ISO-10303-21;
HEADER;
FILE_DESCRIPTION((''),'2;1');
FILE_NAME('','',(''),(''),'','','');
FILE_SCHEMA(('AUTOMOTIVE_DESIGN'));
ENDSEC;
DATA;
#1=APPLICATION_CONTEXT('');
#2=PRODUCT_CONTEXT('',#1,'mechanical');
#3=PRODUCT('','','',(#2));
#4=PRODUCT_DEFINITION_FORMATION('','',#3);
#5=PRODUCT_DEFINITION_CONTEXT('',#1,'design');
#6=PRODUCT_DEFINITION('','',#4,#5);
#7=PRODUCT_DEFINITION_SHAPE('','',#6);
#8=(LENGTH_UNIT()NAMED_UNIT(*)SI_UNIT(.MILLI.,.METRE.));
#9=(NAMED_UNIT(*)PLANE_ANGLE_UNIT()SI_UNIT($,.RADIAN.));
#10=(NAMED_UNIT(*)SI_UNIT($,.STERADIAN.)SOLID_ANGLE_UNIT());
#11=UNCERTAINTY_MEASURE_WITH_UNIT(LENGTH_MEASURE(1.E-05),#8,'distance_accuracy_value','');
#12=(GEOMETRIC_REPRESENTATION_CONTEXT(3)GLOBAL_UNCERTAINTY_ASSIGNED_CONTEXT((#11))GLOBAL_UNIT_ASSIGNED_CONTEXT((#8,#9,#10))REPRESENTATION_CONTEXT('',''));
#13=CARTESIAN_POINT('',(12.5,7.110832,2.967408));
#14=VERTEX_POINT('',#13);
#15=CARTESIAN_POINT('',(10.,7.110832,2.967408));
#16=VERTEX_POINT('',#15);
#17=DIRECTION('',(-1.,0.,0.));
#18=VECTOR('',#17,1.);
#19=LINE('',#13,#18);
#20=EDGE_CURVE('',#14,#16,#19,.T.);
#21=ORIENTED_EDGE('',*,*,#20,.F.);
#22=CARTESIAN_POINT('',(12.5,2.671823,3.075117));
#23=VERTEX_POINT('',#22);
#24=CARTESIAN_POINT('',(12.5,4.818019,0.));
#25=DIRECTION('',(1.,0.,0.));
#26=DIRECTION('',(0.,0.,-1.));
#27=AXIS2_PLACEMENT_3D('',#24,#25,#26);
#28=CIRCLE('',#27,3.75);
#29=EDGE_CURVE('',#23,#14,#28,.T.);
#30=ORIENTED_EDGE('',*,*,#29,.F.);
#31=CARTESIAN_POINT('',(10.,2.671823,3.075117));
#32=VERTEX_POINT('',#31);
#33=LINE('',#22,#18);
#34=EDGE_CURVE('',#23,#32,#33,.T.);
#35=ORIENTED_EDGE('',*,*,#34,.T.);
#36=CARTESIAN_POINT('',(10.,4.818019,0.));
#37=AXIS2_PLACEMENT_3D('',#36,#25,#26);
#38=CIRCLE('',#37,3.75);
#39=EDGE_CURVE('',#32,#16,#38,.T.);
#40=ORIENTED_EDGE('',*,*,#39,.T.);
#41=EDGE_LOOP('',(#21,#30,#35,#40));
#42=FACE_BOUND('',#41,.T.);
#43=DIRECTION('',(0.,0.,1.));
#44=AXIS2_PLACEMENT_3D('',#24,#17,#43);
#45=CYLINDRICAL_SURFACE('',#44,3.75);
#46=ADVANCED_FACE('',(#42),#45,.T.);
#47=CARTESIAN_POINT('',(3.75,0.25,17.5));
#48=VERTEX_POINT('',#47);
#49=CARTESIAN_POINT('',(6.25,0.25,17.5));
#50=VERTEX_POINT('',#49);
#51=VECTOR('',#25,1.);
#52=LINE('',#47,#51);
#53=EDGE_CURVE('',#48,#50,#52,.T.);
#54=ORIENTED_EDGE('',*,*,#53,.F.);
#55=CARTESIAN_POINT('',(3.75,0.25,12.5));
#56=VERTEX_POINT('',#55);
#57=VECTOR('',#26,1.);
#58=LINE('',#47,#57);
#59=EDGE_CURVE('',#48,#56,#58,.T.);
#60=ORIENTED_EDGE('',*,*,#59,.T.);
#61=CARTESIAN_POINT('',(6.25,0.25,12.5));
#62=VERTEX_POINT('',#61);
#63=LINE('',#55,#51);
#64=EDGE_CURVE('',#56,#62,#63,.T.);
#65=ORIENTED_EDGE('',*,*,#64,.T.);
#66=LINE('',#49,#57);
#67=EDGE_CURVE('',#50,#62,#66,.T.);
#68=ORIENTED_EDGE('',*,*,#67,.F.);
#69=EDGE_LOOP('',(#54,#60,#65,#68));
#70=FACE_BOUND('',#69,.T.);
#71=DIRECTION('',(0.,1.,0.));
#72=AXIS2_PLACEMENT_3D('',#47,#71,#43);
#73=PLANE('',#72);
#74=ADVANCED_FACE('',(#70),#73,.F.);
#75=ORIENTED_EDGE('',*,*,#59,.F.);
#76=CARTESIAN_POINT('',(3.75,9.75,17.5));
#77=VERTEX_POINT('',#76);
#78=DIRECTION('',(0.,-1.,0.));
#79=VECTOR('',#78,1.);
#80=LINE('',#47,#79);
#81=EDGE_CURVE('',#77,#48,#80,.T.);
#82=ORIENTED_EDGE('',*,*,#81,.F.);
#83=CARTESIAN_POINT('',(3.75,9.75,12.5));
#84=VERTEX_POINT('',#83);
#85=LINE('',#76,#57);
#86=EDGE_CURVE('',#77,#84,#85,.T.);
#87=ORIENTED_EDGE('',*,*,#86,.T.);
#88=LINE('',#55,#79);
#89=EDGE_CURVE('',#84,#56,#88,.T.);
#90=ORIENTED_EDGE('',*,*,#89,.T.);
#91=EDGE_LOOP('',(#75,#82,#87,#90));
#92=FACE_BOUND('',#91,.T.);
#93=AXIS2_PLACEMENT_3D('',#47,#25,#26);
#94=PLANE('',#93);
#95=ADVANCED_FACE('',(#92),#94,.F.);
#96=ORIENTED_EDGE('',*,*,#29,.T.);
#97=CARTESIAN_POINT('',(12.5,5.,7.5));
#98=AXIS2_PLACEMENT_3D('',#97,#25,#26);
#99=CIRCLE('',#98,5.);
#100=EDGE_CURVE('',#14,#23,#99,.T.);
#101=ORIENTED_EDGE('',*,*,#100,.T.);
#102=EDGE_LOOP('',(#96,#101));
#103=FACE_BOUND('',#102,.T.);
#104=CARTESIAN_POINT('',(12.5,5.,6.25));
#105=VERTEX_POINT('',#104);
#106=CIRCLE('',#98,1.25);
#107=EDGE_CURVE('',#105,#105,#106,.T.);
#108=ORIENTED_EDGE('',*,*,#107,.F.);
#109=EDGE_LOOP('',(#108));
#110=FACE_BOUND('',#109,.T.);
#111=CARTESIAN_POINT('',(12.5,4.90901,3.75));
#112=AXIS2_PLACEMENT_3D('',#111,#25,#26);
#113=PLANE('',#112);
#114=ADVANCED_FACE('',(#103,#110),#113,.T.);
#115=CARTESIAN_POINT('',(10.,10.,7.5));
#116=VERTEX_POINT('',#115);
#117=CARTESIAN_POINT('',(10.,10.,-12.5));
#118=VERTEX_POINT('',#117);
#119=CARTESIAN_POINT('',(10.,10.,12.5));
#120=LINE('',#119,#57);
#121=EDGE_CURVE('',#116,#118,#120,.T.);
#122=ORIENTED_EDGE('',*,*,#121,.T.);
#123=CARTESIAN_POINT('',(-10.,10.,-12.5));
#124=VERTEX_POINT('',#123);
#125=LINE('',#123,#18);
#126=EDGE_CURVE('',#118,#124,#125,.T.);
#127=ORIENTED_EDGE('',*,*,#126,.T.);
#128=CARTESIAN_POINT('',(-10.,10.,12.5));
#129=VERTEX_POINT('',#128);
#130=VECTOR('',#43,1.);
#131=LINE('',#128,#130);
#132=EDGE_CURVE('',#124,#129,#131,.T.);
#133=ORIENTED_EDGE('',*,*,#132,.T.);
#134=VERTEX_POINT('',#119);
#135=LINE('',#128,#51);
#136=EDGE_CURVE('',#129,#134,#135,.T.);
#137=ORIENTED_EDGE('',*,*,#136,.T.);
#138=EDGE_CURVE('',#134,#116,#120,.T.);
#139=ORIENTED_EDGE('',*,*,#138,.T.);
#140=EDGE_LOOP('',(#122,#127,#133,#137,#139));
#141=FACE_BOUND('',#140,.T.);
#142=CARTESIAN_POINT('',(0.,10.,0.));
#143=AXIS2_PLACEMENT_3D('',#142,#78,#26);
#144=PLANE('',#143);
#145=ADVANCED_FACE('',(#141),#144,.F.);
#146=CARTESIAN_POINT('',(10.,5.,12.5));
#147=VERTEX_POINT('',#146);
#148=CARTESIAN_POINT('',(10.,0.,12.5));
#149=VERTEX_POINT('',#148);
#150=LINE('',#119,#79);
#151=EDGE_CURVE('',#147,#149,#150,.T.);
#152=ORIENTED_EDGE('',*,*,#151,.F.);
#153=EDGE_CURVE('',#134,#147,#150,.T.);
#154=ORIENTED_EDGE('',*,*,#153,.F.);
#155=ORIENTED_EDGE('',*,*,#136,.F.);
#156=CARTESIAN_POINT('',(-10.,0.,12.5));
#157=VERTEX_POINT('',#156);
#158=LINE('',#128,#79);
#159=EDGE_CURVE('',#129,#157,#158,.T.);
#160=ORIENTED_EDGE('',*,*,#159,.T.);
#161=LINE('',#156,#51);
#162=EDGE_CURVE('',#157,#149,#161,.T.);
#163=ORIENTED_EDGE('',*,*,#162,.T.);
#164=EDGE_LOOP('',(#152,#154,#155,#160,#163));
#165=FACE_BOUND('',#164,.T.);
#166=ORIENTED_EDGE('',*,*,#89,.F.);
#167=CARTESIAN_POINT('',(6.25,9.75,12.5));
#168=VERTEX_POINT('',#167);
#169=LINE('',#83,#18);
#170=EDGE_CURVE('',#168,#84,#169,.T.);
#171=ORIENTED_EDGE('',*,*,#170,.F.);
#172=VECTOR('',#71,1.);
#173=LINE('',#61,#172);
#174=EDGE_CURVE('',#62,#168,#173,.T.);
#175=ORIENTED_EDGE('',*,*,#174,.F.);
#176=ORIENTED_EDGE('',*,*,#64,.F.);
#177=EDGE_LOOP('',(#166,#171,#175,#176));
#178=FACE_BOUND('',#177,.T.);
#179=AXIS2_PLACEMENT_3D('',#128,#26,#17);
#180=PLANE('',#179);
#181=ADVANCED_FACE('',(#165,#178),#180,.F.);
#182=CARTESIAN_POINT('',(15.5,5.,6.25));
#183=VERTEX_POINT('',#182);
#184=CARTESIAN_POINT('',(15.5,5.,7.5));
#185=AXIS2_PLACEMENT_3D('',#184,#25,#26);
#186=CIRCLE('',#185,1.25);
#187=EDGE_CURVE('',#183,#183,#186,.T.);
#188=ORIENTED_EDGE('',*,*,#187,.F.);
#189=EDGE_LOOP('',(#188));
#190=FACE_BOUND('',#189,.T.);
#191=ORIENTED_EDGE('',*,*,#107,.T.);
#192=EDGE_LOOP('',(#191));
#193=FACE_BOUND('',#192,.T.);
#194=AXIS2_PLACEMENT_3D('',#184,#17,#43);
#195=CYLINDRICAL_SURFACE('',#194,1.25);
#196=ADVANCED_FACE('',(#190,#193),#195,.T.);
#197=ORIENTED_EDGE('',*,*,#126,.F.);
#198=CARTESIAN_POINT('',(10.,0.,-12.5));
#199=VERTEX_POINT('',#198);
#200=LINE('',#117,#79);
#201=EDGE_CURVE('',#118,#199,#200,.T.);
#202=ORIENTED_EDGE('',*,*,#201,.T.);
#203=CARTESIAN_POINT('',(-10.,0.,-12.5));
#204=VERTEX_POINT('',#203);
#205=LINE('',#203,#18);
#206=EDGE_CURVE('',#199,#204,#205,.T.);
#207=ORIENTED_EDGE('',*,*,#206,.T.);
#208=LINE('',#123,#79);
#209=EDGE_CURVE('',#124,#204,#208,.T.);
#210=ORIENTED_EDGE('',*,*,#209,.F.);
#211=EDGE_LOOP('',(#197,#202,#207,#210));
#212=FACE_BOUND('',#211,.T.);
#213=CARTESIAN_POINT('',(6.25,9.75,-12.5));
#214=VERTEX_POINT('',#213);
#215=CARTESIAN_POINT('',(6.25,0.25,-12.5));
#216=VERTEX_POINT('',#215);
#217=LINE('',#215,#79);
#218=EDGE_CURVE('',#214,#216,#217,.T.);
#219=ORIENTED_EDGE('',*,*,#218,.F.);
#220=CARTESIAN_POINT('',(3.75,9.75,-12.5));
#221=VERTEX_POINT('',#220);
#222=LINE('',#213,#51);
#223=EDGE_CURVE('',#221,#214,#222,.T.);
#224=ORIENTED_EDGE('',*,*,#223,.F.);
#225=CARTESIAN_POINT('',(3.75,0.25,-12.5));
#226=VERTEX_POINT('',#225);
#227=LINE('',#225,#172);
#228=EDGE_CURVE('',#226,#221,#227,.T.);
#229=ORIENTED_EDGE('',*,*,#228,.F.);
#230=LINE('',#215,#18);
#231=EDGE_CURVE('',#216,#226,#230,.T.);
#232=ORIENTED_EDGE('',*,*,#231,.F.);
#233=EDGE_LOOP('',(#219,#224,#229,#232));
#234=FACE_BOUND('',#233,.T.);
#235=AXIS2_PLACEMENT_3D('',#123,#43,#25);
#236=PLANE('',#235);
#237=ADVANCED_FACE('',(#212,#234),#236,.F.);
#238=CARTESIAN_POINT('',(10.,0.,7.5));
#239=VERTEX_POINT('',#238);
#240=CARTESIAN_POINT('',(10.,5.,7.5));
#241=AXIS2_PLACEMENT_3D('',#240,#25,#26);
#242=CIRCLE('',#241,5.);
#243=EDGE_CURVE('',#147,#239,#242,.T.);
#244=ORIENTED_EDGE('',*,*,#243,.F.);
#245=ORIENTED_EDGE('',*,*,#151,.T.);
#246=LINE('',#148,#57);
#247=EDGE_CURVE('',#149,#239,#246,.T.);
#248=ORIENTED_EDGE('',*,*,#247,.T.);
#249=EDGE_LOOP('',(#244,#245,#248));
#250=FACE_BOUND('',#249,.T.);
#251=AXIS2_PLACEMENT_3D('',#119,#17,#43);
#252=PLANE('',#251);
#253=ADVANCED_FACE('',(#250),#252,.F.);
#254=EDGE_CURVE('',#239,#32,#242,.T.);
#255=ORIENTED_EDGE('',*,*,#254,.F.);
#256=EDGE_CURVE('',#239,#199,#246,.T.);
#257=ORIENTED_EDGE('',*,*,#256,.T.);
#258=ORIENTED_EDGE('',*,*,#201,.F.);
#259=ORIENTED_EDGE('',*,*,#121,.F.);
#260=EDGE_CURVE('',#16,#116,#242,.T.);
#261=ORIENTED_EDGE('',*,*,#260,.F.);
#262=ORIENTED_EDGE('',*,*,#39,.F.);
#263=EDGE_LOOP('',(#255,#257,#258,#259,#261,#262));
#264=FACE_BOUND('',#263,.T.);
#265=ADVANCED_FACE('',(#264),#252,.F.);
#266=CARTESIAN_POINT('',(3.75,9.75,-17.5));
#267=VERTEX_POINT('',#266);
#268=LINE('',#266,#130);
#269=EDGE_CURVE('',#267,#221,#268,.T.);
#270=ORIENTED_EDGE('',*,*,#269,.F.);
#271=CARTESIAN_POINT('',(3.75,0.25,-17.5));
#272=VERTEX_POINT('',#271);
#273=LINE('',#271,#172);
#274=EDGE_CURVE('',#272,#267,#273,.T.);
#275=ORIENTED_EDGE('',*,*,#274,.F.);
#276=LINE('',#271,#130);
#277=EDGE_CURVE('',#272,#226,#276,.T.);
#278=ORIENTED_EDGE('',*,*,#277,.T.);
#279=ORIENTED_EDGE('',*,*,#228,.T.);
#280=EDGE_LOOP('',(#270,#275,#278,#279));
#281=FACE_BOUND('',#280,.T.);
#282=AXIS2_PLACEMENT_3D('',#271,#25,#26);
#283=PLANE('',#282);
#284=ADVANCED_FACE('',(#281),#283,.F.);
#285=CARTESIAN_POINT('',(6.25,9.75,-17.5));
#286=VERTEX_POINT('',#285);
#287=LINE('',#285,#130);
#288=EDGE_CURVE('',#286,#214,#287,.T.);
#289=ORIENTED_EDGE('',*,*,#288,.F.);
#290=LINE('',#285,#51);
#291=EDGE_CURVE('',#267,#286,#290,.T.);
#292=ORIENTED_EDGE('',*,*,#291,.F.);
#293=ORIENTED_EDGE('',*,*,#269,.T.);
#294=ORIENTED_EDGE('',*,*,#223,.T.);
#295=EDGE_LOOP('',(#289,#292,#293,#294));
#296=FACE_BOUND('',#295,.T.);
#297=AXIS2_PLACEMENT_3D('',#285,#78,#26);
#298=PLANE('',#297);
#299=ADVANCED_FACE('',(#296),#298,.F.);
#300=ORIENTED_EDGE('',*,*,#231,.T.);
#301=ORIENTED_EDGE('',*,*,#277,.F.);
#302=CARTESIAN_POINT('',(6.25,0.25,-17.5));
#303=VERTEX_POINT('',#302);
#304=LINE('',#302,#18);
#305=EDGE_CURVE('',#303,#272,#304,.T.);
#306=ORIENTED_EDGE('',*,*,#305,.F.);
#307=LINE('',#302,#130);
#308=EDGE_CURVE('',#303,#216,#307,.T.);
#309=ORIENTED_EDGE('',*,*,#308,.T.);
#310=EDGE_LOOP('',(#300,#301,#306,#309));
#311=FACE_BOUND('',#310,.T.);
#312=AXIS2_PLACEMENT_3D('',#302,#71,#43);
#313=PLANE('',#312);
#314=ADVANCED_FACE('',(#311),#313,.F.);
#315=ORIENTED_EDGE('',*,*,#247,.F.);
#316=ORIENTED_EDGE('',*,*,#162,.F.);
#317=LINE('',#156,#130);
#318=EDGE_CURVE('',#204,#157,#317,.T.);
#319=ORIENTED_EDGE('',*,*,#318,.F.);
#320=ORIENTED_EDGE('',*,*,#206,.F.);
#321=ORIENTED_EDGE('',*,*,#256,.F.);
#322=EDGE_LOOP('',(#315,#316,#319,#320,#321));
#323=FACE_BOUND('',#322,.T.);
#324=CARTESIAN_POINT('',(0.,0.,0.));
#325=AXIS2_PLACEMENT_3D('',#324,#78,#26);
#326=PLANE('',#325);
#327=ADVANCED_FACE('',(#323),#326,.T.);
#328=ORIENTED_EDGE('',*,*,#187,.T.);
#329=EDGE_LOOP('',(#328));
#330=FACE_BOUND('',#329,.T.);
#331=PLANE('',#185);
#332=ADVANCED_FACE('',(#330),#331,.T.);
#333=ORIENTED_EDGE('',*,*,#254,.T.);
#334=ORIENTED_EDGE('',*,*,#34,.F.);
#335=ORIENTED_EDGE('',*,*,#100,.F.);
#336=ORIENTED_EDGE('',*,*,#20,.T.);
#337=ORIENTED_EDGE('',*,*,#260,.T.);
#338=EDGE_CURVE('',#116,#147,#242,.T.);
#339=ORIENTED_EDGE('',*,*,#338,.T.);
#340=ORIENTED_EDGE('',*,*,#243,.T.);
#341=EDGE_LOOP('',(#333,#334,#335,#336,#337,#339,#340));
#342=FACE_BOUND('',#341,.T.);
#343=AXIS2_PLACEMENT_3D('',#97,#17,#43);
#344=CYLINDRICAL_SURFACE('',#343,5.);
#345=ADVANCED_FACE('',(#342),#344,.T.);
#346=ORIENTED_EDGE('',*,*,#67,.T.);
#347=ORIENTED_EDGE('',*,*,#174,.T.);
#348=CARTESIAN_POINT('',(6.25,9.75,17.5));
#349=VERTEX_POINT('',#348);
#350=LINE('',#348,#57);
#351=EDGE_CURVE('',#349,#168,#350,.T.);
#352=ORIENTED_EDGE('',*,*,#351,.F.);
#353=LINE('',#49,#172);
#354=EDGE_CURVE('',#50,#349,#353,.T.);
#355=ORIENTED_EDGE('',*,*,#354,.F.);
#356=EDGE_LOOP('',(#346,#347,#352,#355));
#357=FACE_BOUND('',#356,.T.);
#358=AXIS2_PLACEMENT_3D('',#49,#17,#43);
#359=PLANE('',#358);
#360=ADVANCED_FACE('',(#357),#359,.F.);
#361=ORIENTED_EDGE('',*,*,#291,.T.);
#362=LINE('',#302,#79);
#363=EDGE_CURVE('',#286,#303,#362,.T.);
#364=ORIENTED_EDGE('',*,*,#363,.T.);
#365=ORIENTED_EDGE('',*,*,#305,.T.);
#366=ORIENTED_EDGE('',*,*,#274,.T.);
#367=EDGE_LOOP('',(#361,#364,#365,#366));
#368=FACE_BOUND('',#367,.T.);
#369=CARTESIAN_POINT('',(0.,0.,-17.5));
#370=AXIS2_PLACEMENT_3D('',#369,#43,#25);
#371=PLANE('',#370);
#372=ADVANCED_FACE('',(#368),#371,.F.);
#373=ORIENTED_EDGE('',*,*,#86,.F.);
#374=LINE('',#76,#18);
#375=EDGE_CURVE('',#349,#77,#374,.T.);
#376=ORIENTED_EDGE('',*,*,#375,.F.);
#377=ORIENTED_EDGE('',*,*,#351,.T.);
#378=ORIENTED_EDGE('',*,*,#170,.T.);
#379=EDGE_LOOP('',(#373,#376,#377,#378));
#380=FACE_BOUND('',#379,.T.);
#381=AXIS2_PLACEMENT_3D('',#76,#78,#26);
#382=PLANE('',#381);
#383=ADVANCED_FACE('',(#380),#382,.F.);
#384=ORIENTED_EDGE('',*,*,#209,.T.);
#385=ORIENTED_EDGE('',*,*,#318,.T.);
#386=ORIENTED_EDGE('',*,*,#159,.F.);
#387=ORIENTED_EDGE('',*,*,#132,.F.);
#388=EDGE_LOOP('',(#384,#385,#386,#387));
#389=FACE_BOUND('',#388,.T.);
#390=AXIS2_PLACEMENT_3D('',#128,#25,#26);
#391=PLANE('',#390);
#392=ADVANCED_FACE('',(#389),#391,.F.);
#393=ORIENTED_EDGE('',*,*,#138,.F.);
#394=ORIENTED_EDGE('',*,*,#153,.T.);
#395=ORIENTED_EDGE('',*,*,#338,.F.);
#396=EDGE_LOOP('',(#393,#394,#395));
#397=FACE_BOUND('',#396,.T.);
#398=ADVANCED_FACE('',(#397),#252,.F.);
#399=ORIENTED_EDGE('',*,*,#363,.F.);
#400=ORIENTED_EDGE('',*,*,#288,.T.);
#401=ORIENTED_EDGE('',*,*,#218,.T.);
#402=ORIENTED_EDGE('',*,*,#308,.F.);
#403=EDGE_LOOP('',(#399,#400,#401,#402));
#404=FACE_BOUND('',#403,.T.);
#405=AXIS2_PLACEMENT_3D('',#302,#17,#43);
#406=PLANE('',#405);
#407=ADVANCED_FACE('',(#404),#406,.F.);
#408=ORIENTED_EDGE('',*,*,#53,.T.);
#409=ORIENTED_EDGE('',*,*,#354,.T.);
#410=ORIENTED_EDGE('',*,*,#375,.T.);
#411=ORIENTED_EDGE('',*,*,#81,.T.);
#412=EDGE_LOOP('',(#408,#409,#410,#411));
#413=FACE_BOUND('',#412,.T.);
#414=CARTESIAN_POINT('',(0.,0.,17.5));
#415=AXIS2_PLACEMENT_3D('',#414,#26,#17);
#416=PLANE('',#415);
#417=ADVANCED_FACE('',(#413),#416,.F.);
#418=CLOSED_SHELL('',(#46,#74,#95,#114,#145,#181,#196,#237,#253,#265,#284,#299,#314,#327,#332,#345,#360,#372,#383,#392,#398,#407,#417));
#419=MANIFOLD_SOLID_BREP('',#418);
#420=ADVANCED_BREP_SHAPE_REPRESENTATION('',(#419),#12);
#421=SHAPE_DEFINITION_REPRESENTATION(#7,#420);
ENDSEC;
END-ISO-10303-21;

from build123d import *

# Parameters (mm, degrees)
SKETCH1_W           = 20
SKETCH1_H           = 25
BOSS_EXTRUDE1_DEPTH = 10
SKETCH3_W           = 2.5
SKETCH3_H           = 9.5
BOSS_EXTRUDE3_DEPTH = 5
SKETCH4_W           = 2.5
SKETCH4_H           = 9.5
BOSS_EXTRUDE4_DEPTH = 5
BOSS_EXTRUDE5_DEPTH = 2.5
SKETCH6_R           = 1.25
BOSS_EXTRUDE6_DEPTH = 3


with BuildPart() as part:
    # Sketch1 → Boss-Extrude1 (new body)
    with BuildSketch(Plane(origin=(0, 0, 0), x_dir=(1, 0, 0), z_dir=(0, 1, 0))):
        Rectangle(SKETCH1_W, SKETCH1_H)
    extrude(amount=BOSS_EXTRUDE1_DEPTH)

    # Sketch3 → Boss-Extrude3 (add)
    with BuildSketch(Plane(origin=(0, 0, -12.5), x_dir=(-1, 0, 0), z_dir=(0, 0, -1))):
        with Locations((-5, 5)):
            Rectangle(SKETCH3_W, SKETCH3_H)
    extrude(amount=BOSS_EXTRUDE3_DEPTH)

    # Sketch4 → Boss-Extrude4 (add)
    with BuildSketch(Plane.XY.offset(12.5)):
        with Locations((5, 5)):
            Rectangle(SKETCH4_W, SKETCH4_H)
    extrude(amount=BOSS_EXTRUDE4_DEPTH)

    # Sketch5 → Boss-Extrude5 (add)
    with BuildSketch(Plane(origin=(10, 0, 0), x_dir=(0, 0, -1), z_dir=(1, 0, 0))):
        with BuildLine():
            ThreePointArc((-2.967408029, 7.110831595), (-12.498528779, 5.121284968), (-3.075116724, 2.671823033))
            ThreePointArc((-3.075116724, 2.671823033), (3.748896584, 4.727055275), (-2.967408029, 7.110831595))
        make_face()
    extrude(amount=BOSS_EXTRUDE5_DEPTH)

    # Sketch6 → Boss-Extrude6 (add)
    with BuildSketch(Plane(origin=(12.5, 0, 0), x_dir=(0, 0, -1), z_dir=(1, 0, 0))):
        with Locations((-7.5, 5)):
            Circle(SKETCH6_R)
    extrude(amount=BOSS_EXTRUDE6_DEPTH)


solid = part.part
